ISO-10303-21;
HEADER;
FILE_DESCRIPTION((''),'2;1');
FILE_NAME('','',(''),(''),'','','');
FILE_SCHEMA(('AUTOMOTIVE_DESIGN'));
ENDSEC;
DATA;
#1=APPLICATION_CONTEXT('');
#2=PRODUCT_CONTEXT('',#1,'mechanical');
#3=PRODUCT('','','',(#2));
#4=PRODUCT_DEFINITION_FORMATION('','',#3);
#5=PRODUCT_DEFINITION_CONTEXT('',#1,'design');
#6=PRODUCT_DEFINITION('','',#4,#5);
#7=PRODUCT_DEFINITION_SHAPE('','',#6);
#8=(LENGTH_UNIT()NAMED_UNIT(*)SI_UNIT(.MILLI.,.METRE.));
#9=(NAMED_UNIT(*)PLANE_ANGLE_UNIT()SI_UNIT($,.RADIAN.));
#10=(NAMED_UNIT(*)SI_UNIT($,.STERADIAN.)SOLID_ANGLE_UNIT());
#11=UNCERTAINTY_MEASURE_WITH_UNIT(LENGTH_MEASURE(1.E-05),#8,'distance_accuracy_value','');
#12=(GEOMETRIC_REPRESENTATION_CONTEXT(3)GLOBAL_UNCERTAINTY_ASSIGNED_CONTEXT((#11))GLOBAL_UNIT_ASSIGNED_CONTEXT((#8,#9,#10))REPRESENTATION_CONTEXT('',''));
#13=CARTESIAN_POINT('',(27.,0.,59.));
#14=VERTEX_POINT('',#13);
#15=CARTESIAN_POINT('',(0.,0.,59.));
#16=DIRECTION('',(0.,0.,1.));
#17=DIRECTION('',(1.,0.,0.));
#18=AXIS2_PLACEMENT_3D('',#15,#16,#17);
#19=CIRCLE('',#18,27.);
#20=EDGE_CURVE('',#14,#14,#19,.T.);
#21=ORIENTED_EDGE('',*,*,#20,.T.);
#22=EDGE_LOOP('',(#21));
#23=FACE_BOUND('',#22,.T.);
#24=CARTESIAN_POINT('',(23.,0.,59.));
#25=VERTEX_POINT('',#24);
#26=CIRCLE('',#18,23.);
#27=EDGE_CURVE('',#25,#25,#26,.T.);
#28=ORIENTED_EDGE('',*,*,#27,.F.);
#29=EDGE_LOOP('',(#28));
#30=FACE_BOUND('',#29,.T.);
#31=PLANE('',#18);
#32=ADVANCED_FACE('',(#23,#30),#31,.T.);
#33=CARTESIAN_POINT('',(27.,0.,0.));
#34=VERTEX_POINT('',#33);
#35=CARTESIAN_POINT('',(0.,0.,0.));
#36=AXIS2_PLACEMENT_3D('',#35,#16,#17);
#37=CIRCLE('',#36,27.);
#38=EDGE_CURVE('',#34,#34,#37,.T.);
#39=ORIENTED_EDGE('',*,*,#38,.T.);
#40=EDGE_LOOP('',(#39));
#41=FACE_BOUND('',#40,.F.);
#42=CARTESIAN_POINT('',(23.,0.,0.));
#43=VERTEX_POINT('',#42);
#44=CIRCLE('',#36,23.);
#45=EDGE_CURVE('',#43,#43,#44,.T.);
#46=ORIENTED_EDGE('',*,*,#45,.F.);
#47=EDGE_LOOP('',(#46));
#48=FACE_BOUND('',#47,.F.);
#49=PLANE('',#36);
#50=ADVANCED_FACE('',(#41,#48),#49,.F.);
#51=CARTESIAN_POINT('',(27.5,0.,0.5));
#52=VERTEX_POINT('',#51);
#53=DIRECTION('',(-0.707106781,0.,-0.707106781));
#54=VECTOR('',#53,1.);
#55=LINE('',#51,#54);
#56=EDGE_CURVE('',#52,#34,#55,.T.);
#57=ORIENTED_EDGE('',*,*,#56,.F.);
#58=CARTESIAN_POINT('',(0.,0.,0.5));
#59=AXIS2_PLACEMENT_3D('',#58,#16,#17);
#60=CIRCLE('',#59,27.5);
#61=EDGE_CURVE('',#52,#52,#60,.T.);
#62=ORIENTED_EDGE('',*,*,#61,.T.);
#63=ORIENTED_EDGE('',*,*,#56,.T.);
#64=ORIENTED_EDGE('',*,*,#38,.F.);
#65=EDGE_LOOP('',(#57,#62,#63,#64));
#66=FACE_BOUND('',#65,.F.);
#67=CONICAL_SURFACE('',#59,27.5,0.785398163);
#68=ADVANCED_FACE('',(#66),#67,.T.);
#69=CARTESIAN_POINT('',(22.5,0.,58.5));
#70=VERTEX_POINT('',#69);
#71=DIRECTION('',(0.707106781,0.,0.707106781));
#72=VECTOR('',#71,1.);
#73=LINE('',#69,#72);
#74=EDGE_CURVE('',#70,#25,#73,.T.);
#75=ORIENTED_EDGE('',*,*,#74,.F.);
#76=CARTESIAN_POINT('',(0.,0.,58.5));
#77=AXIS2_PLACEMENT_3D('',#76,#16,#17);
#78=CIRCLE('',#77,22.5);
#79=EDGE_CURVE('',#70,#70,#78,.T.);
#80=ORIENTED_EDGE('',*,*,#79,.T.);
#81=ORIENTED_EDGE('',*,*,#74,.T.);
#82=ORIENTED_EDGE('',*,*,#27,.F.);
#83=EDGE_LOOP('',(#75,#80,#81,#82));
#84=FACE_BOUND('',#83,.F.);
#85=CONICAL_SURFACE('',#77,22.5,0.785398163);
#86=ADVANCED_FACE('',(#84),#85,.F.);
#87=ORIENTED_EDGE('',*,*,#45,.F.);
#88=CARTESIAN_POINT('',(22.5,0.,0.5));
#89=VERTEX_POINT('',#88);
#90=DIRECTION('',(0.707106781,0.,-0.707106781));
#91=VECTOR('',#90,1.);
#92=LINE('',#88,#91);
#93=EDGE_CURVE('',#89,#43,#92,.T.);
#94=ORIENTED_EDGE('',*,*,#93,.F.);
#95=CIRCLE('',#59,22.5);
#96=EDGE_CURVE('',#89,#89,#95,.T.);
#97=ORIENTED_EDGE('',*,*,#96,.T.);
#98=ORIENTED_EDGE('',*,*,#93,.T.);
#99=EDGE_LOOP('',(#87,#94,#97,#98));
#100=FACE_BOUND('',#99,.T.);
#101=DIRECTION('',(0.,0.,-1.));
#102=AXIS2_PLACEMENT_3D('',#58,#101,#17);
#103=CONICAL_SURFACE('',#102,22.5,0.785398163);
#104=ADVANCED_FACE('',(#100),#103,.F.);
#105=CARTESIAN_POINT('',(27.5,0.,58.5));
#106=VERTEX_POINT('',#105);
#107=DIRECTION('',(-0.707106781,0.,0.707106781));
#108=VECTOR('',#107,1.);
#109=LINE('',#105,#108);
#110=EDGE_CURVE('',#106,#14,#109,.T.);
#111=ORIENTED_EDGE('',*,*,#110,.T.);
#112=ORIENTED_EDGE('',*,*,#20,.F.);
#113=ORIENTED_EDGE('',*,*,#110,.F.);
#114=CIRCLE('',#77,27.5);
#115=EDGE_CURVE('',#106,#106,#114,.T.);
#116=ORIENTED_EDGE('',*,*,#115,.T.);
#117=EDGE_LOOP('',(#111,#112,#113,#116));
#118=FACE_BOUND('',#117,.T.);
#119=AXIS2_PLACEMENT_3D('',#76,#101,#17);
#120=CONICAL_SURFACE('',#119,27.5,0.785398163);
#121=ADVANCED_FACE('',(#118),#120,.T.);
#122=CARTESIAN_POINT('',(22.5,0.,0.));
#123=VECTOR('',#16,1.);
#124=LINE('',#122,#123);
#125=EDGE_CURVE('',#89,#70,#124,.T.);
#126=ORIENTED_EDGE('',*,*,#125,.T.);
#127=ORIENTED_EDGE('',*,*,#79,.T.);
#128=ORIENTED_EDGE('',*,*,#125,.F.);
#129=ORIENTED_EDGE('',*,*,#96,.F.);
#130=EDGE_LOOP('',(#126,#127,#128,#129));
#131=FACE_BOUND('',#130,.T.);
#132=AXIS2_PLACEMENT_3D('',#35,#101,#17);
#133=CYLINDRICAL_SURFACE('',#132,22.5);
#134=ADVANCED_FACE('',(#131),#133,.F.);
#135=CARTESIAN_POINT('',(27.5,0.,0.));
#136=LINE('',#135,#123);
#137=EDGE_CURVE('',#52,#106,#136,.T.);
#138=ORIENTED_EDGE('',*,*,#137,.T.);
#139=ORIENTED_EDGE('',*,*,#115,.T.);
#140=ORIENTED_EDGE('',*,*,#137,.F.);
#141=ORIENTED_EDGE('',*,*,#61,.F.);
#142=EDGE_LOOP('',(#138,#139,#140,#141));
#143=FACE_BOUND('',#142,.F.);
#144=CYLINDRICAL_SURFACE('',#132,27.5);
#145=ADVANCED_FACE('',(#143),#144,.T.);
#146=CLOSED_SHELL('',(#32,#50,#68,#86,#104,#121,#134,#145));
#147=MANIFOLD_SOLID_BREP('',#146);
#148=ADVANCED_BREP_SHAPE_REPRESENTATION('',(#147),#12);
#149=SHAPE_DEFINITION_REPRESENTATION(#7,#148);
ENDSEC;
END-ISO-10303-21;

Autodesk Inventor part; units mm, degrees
ref_plane "YZ Plane" through (0, 0, 0) normal (1, 0, 0) x (0, 1, 0)
ref_plane "XZ Plane" through (0, 0, 0) normal (0, 1, 0) x (-1, 0, 0)
ref_plane "XY Plane" through (0, 0, 0) normal (0, 0, 1) x (1, 0, 0)
sketch "Sketch1" plane through (0, 0, 0) normal (0, 0, 1) x (1, 0, 0)
  circle A0 centre (0, 0) radius 27.5
  circle A1 centre (0, 0) radius 22.5
  dimension "d0" = 55
  dimension "d1" = 45
extrude "Extrusion1" add sketch "Sketch1" along normal blind 59
chamfer "Chamfer1" distance 0.5 angle 45 4 edges at (-27.5, 0, 59) (-22.5, 0, 59) (-27.5, 0, 0) (-22.5, 0, 0)
properties part number "55mmx5mm Aluminium pipe(6060)"
